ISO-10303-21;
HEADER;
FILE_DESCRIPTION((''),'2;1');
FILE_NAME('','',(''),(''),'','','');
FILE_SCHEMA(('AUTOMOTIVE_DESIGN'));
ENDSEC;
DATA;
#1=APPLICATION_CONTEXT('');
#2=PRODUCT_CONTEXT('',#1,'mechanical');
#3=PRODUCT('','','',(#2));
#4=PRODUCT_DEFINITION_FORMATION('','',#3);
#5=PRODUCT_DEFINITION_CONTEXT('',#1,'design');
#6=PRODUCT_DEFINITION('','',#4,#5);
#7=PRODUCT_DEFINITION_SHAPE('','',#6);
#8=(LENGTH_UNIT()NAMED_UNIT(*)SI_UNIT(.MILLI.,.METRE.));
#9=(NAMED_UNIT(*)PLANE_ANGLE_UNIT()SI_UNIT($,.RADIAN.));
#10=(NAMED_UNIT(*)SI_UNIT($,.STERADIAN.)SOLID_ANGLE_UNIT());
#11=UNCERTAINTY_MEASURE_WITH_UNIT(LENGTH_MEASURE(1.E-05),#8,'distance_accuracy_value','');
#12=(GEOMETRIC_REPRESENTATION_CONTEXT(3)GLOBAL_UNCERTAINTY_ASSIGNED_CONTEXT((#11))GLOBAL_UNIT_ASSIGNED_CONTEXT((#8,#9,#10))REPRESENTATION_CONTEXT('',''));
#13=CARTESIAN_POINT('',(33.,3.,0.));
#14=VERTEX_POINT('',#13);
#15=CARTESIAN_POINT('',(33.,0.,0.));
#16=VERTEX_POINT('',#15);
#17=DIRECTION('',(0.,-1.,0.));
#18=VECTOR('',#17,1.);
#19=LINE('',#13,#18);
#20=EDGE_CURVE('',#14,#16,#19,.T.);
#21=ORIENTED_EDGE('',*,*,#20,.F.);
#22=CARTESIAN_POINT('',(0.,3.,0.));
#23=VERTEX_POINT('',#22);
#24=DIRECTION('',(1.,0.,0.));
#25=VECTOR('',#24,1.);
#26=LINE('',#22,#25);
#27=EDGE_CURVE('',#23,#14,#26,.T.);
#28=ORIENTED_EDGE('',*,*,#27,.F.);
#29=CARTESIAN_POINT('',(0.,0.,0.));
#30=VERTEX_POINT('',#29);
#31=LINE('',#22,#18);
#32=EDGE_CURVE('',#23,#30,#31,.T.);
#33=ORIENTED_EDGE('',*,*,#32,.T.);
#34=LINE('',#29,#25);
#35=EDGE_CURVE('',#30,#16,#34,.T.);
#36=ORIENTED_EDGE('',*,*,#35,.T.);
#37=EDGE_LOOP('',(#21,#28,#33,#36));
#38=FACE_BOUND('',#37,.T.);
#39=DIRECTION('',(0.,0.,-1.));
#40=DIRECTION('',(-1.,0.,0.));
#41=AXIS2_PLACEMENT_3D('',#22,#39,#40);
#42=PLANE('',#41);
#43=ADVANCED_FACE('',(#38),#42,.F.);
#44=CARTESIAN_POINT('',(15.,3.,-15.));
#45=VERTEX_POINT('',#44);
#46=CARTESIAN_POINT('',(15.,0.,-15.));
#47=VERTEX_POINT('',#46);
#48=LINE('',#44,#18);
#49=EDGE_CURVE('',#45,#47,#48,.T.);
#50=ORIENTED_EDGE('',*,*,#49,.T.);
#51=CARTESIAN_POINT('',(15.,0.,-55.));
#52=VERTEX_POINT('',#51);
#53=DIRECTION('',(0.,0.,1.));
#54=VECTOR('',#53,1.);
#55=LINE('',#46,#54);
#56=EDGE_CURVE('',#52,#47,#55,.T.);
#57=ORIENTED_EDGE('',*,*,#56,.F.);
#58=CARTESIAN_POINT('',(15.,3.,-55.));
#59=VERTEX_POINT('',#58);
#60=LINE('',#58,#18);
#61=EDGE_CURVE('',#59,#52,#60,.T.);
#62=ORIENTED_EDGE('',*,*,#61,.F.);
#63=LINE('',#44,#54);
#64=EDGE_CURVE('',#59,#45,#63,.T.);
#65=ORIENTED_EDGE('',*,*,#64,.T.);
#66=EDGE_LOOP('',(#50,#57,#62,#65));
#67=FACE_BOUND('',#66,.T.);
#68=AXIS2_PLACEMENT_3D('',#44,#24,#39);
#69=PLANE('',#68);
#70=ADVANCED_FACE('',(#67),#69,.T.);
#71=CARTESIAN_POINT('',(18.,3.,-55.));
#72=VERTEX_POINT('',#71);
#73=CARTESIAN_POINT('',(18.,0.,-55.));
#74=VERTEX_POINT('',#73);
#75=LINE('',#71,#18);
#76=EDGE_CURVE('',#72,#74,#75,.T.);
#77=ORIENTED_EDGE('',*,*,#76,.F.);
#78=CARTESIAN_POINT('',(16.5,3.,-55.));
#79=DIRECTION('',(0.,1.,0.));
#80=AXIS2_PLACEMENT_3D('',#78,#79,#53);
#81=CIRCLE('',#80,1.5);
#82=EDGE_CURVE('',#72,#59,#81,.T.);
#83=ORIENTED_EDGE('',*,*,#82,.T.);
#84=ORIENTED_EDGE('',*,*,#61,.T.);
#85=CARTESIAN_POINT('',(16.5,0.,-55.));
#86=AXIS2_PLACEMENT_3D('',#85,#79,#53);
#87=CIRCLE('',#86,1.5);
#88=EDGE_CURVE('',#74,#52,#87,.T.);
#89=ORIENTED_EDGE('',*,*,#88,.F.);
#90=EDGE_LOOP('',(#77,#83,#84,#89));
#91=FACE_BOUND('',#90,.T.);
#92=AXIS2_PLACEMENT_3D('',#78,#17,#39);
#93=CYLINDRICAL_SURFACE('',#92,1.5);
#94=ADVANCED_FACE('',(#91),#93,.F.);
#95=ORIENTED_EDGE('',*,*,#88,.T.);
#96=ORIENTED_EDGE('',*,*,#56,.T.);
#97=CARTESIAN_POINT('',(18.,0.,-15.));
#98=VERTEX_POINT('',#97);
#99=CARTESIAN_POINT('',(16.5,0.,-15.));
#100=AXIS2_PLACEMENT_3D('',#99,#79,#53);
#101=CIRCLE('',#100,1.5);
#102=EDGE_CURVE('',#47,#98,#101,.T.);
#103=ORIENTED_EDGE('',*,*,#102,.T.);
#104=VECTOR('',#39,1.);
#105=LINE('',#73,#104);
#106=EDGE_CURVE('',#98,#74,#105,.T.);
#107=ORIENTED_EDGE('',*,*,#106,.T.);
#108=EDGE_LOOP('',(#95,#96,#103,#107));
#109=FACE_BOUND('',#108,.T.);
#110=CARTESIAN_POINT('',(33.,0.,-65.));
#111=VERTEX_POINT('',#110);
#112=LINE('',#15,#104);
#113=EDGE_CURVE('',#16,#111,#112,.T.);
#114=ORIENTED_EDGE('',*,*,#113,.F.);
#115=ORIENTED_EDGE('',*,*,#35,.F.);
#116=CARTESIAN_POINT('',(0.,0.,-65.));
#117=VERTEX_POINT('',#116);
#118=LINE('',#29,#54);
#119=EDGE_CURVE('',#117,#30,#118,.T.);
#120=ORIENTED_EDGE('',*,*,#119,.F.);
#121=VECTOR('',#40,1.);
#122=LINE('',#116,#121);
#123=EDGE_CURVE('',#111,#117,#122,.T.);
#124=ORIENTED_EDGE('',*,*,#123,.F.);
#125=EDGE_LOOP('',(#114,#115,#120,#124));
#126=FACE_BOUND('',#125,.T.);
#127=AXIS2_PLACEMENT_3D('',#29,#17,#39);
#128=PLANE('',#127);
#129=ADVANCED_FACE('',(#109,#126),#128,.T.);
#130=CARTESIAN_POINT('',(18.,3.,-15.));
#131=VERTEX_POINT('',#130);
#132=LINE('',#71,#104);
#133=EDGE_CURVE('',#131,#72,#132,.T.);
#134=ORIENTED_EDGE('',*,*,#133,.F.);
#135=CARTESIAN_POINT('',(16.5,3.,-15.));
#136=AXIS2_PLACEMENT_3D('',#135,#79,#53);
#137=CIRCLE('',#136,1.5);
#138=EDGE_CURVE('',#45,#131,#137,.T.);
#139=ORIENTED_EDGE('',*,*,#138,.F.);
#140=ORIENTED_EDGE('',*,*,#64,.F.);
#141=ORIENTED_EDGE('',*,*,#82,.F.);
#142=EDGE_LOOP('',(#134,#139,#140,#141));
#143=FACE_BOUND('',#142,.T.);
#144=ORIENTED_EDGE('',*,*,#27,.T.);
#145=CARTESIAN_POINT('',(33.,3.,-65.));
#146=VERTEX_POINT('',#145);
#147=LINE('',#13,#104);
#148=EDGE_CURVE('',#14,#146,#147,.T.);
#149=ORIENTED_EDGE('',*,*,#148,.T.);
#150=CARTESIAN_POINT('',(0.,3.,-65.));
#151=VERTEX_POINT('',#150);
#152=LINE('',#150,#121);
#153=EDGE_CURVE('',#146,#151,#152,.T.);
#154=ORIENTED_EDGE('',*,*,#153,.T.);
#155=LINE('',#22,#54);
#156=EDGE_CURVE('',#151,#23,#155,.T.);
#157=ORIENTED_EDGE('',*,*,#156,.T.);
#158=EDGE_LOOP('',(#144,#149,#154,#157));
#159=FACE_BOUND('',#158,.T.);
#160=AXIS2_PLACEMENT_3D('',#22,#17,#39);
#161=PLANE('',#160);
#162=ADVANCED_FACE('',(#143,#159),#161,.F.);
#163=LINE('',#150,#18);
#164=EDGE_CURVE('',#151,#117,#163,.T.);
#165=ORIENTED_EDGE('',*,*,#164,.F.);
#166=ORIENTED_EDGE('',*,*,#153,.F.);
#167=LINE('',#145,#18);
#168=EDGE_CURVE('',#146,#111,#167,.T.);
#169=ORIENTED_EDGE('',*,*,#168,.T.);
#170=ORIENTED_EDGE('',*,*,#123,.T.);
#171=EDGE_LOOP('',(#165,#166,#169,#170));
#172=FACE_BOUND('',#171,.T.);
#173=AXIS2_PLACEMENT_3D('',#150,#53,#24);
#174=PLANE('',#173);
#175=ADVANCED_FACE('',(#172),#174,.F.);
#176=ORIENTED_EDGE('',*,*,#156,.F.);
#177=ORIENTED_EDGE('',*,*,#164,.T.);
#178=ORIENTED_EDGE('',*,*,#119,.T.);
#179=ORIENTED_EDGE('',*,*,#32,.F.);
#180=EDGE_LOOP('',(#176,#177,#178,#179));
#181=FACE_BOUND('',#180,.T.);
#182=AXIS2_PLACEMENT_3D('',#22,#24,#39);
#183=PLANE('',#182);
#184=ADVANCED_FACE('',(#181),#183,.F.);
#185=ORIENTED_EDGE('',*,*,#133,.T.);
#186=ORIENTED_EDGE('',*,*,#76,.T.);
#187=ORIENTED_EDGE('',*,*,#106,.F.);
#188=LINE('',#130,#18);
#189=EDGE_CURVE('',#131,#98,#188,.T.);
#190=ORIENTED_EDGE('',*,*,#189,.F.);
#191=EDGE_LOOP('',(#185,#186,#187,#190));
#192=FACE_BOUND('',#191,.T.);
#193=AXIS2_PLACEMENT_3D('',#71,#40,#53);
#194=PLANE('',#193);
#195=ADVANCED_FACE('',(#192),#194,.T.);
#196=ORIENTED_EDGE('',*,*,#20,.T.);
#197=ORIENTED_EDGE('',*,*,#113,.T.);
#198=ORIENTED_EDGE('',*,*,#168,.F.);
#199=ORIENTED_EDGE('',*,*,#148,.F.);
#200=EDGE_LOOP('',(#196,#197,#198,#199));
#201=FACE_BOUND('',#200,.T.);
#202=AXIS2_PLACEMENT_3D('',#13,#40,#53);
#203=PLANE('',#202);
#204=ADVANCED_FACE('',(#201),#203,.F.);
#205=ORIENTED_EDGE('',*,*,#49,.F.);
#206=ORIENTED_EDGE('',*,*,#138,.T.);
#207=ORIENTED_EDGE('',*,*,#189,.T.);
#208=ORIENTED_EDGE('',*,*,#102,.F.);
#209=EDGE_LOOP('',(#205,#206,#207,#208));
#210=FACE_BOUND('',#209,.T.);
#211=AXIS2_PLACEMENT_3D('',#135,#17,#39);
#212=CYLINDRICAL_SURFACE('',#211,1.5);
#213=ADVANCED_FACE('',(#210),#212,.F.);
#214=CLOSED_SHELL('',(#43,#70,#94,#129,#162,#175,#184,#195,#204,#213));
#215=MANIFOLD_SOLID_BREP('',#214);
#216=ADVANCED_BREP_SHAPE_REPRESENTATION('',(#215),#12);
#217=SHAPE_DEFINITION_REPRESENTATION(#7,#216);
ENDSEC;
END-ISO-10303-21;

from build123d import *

# Parameters (mm, degrees)
SKETCH_2_W      = 33
SKETCH_2_H      = 65
EXTRUDE_1_DEPTH = 3


with BuildPart() as part:
    # 草图2 → 凸台-拉伸1 (new body)
    with BuildSketch(Plane(origin=(0, 0, 0), x_dir=(1, 0, 0), z_dir=(0, 1, 0))):
        with Locations((16.5, 32.5)):
            Rectangle(SKETCH_2_W, SKETCH_2_H)
        with BuildLine():
            Line((15, 15), (15, 55))
            ThreePointArc((15, 55), (16.5, 56.5), (18, 55))
            Line((18, 55), (18, 15))
            ThreePointArc((18, 15), (16.5, 13.5), (15, 15))
        make_face(mode=Mode.SUBTRACT)
    extrude(amount=EXTRUDE_1_DEPTH)


solid = part.part
